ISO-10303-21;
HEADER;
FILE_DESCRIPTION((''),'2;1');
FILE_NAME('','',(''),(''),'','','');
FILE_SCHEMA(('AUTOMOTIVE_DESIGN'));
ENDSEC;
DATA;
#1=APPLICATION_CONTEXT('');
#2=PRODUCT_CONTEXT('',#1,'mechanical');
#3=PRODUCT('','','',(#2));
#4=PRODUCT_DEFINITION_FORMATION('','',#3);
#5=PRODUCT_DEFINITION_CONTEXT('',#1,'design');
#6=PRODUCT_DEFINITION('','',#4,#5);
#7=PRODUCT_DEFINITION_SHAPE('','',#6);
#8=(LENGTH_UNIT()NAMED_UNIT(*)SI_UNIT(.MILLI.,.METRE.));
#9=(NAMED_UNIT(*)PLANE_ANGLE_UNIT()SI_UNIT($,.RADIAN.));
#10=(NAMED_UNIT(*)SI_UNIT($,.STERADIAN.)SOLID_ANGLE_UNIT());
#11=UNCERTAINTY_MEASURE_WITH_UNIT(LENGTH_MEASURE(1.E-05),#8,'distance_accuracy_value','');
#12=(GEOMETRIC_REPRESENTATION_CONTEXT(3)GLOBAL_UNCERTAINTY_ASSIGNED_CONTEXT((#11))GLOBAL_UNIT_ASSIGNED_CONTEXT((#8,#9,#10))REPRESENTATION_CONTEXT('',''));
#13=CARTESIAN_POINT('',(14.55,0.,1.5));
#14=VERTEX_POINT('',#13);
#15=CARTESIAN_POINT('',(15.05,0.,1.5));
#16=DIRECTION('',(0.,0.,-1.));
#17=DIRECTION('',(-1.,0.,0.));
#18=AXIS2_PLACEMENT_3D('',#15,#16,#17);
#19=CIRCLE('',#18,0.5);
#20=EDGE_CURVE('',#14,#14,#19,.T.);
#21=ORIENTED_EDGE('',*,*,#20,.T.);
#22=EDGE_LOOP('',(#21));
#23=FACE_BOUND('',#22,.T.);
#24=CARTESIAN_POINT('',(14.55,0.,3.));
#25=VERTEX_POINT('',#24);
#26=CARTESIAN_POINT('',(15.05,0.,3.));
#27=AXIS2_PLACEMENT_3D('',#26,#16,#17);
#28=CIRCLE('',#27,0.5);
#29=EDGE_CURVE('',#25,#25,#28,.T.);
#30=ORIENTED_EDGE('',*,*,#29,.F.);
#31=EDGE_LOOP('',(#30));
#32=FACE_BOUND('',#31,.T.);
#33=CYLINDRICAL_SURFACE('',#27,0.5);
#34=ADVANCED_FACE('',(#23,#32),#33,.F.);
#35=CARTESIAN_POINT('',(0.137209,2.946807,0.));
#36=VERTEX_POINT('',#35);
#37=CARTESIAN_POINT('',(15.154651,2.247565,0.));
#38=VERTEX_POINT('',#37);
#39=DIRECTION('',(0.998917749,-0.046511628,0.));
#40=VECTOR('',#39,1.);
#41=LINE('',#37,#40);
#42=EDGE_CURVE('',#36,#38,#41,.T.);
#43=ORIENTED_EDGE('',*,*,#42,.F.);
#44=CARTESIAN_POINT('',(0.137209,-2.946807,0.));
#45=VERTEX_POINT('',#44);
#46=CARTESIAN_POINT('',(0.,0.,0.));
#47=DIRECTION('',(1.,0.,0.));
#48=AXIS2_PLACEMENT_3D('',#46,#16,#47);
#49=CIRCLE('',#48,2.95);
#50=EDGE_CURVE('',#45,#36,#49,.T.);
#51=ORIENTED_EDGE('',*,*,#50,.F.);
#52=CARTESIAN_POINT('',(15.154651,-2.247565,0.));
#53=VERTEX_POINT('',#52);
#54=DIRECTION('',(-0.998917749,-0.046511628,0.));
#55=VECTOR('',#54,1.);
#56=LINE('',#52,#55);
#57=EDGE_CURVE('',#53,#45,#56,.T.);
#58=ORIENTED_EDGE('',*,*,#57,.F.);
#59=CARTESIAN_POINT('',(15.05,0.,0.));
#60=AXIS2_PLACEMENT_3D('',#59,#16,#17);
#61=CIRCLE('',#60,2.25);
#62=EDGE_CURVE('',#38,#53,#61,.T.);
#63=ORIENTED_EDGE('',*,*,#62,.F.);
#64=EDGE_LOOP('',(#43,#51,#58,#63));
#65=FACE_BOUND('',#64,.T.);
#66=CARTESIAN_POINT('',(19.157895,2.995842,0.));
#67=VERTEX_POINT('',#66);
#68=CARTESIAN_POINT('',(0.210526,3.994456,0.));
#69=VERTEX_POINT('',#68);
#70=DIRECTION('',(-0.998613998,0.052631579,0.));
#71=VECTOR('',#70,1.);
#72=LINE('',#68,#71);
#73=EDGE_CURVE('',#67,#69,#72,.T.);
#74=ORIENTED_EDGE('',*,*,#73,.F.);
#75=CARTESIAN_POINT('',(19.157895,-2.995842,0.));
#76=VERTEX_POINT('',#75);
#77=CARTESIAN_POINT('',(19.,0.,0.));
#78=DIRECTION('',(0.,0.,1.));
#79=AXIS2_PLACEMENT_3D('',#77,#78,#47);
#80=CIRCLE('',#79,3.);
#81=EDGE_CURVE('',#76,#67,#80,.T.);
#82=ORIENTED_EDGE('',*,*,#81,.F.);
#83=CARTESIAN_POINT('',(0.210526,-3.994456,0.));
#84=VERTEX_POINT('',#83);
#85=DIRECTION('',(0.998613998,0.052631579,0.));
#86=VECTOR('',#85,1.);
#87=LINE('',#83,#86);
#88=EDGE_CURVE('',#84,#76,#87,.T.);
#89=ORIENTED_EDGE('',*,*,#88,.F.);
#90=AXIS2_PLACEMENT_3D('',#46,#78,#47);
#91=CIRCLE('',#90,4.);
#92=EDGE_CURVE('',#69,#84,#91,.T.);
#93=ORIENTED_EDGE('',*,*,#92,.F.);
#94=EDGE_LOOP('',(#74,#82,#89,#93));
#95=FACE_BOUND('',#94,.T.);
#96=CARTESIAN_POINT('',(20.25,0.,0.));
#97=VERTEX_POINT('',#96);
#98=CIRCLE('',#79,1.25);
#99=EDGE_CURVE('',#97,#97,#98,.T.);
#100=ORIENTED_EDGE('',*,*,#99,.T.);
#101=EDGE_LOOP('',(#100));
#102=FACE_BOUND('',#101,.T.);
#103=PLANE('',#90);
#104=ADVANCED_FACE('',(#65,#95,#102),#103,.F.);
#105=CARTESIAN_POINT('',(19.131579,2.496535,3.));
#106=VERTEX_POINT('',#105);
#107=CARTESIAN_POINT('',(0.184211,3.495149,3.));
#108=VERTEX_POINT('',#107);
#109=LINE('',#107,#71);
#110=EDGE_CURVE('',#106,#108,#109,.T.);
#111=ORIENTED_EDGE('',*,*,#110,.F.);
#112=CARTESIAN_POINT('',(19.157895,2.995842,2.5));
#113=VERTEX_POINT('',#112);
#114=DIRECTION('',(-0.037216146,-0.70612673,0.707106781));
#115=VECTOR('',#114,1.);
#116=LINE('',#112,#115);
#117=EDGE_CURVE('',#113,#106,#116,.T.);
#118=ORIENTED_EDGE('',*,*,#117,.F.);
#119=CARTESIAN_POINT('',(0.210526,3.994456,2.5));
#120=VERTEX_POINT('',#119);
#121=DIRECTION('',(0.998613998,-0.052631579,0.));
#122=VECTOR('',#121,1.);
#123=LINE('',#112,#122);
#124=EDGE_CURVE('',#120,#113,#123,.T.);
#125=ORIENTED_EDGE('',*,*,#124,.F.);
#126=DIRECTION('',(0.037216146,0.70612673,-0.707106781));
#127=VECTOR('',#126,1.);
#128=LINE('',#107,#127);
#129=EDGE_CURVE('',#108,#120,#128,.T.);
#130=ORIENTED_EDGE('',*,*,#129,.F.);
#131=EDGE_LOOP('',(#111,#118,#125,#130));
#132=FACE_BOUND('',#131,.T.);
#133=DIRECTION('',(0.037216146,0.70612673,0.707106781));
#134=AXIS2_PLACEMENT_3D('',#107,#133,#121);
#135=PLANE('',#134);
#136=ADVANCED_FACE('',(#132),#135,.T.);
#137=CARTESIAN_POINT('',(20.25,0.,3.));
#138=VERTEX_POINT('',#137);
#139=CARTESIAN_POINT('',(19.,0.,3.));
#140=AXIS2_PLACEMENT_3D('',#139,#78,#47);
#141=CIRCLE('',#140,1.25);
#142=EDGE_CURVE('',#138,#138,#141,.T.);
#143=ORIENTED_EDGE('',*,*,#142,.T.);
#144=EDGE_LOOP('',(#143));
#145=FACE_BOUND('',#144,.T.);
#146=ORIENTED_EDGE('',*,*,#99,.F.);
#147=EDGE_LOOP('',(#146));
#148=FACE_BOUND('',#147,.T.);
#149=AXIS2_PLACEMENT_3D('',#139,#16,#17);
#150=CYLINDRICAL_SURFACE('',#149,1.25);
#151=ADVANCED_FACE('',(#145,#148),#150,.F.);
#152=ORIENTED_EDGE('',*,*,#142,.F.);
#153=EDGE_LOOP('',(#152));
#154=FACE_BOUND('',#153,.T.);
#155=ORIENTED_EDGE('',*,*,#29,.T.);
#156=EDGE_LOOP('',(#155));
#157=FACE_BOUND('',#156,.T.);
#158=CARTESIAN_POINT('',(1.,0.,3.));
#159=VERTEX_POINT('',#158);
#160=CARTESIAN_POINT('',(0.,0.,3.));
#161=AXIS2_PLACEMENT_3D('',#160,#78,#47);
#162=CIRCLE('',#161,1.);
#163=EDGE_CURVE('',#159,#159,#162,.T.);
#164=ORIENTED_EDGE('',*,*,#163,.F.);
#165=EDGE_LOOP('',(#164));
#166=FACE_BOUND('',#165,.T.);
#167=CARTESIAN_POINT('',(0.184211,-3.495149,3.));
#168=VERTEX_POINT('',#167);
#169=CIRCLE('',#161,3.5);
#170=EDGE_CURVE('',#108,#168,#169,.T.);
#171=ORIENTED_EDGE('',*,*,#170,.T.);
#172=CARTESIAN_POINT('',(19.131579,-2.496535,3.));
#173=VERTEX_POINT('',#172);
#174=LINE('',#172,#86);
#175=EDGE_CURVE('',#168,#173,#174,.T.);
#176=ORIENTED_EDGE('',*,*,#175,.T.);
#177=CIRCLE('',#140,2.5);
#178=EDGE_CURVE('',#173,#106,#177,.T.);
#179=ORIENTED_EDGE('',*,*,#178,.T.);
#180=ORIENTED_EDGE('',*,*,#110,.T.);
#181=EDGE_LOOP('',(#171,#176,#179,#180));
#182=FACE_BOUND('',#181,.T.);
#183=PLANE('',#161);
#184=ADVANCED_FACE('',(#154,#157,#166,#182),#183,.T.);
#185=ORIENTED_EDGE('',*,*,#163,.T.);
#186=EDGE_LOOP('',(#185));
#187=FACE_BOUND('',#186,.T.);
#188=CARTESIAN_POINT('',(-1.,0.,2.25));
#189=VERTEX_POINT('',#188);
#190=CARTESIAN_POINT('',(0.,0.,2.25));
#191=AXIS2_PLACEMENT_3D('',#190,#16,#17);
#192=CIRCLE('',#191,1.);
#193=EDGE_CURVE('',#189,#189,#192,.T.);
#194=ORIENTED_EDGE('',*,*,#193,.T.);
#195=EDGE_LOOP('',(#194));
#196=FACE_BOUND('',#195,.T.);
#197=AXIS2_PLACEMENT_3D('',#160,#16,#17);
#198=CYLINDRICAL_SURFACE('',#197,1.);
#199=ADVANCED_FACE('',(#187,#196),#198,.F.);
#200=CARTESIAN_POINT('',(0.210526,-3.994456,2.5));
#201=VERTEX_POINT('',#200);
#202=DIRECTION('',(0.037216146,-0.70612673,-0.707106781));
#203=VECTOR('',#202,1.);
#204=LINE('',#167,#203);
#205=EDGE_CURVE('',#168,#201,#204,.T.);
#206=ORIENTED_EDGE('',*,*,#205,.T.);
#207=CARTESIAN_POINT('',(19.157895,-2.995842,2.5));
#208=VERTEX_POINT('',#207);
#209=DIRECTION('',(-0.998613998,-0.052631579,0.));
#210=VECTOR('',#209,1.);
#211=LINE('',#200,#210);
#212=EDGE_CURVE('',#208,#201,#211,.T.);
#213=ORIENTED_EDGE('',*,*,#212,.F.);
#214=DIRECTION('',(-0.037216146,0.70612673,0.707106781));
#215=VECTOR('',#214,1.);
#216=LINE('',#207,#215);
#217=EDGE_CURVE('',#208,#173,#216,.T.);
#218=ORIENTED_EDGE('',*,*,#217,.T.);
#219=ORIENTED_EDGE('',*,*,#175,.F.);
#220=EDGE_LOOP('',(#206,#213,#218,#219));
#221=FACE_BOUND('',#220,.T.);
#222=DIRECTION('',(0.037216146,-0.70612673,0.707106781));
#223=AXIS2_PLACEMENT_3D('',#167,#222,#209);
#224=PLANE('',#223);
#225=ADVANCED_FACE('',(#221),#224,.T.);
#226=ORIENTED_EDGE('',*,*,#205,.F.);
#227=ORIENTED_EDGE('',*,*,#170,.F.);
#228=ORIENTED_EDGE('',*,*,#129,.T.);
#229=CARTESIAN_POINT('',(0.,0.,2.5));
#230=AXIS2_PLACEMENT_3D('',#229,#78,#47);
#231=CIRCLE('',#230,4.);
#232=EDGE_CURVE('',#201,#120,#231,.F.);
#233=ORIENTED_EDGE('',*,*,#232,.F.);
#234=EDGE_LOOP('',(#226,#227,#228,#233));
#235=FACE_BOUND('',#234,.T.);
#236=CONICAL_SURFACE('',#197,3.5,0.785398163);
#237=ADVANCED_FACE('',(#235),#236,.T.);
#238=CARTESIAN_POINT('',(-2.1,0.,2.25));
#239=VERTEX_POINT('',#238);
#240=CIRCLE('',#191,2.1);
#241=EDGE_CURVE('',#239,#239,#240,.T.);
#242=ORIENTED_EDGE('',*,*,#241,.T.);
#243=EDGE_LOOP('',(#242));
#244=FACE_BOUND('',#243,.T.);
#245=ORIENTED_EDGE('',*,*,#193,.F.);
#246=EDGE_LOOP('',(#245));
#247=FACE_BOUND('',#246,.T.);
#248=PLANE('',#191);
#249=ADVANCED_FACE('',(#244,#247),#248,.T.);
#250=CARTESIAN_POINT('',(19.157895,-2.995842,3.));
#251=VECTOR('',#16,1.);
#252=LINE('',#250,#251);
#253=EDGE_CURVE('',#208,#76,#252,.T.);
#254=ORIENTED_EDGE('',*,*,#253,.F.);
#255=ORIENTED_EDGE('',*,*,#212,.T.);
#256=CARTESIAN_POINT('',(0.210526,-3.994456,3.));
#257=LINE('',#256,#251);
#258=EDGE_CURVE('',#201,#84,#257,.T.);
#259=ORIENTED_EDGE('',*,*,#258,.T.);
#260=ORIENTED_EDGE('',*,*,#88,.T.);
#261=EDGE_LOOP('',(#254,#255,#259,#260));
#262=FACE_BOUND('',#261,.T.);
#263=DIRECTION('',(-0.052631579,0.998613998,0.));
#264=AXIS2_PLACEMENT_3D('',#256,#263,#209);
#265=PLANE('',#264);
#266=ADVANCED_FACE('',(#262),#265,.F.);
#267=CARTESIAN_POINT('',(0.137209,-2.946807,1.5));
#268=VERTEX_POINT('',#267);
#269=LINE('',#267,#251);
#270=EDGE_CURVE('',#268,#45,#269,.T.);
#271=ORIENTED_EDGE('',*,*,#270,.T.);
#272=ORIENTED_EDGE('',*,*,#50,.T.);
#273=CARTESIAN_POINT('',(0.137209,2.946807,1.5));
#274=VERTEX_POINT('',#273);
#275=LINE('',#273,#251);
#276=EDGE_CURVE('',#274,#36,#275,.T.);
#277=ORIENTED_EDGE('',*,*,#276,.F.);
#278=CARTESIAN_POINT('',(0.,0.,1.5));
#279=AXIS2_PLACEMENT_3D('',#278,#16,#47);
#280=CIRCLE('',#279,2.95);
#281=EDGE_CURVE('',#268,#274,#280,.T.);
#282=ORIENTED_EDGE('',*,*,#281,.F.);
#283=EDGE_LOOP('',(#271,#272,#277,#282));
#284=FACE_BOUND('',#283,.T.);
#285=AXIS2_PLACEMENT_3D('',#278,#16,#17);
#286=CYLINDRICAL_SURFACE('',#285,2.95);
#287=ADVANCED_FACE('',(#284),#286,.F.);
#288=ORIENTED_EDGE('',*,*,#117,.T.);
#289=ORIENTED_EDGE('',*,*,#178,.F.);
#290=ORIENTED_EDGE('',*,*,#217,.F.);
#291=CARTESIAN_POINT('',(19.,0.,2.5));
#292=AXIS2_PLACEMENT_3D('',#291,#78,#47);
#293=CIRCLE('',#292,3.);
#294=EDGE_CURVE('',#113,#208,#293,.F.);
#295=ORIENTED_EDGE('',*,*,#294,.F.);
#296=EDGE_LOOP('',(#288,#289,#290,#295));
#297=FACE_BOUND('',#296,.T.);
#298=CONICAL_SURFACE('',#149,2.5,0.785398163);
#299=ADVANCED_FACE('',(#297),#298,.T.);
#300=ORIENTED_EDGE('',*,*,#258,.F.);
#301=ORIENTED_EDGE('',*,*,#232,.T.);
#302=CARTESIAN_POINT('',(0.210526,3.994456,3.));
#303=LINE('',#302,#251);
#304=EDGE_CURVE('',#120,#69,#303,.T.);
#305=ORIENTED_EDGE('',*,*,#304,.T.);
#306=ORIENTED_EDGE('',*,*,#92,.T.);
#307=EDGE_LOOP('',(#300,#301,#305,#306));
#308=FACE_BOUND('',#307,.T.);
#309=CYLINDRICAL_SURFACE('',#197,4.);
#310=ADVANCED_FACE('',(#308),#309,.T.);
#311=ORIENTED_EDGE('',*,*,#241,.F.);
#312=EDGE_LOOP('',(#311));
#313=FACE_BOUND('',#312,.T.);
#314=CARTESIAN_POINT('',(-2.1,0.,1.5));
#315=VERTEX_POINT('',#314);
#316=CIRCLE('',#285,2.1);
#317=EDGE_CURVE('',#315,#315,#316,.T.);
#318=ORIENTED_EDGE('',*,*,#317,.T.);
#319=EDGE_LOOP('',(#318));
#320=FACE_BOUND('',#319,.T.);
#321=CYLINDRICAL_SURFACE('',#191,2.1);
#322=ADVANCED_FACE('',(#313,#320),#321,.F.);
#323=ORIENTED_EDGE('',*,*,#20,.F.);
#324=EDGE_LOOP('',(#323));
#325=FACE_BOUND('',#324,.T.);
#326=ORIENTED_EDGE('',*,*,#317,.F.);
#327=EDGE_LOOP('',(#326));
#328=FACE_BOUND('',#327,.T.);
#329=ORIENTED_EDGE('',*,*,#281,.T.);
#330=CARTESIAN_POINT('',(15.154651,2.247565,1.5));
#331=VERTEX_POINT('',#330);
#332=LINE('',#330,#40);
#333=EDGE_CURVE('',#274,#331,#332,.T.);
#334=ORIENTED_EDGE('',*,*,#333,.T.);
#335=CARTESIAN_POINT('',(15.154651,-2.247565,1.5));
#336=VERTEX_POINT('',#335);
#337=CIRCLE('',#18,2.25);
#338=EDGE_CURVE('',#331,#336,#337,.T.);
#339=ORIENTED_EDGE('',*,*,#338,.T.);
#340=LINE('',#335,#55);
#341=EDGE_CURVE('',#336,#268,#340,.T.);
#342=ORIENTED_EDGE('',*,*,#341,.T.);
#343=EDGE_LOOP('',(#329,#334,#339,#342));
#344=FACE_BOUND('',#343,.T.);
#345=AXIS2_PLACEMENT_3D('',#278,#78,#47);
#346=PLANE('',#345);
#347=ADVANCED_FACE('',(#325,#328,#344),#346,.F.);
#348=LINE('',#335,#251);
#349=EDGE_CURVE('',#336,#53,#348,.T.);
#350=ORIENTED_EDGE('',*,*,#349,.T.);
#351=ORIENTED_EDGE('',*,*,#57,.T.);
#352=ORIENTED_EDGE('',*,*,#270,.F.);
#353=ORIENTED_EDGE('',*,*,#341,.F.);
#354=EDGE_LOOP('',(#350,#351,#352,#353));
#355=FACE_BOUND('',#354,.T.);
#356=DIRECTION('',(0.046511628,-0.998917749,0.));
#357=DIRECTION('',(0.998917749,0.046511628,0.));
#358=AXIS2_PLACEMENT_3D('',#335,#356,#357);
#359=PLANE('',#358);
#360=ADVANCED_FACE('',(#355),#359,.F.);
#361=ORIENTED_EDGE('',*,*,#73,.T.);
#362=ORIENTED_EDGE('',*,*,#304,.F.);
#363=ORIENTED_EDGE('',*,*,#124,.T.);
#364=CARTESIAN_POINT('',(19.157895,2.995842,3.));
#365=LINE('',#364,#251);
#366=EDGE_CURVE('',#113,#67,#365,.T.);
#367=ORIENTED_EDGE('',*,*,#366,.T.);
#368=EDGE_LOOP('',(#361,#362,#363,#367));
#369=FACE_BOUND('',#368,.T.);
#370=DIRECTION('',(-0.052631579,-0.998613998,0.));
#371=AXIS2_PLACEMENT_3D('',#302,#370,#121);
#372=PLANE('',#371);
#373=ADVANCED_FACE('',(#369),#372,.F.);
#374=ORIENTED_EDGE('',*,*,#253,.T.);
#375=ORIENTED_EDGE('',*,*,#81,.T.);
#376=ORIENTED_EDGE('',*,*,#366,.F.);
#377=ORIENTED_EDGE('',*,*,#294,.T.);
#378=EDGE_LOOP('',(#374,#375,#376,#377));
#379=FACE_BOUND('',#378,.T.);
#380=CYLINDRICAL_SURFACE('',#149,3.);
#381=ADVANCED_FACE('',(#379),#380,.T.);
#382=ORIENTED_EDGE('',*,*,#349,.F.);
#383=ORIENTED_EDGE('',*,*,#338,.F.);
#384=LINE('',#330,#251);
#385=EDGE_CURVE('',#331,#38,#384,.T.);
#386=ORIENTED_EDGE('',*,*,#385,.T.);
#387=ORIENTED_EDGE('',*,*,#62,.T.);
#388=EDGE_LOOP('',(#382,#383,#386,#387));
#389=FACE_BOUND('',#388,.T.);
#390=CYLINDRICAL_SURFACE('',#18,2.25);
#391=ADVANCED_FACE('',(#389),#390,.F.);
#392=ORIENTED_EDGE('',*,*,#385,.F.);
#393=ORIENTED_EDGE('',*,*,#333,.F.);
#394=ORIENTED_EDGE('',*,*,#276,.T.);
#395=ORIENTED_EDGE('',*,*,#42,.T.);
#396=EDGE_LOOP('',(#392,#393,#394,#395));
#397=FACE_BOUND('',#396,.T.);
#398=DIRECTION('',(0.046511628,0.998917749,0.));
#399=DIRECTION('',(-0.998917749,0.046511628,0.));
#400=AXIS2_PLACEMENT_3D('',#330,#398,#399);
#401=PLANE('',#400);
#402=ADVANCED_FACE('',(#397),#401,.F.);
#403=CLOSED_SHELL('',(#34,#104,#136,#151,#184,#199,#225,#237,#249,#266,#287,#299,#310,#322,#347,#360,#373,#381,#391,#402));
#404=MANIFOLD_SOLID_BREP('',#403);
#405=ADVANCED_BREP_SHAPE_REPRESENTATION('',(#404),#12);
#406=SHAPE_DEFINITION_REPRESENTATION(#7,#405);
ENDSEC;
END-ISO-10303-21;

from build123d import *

# Parameters (mm, degrees)
CROQUIS1_R              = 1
CROQUIS1_R_2            = 1.25
SALIENTE_EXTRUIR1_DEPTH = 3
CORTAR_EXTRUIR1_DEPTH   = 1.5
CROQUIS3_R              = 2.1
CORTAR_EXTRUIR2_DEPTH   = 0.75
CROQUIS4_R              = 0.5
CORTAR_EXTRUIR3_DEPTH   = 23.410934831
CHAFL_N1_SIZE           = 0.5


with BuildPart() as part:
    # Croquis1 → Saliente-Extruir1 (new body)
    with BuildSketch(Plane.XY):
        with BuildLine():
            Line((0.210526316, 3.994455992), (19.157894737, 2.995841994))
            ThreePointArc((19.157894737, 2.995841994), (22, 0), (19.157894737, -2.995841994))
            Line((19.157894737, -2.995841994), (0.210526316, -3.994455992))
            ThreePointArc((0.210526316, -3.994455992), (-4, 0), (0.210526316, 3.994455992))
        make_face()
        Circle(CROQUIS1_R, mode=Mode.SUBTRACT)
        with Locations((19, 0)):
            Circle(CROQUIS1_R_2, mode=Mode.SUBTRACT)
    extrude(amount=SALIENTE_EXTRUIR1_DEPTH)

    # Croquis2 → Cortar-Extruir1 (cut)
    with BuildSketch(Plane(origin=(0, 0, 0), x_dir=(-1, 0, 0), z_dir=(0, 0, -1))):
        with BuildLine():
            Line((-15.154651163, 2.247564934), (-0.137209302, 2.946807358))
            ThreePointArc((-0.137209302, 2.946807358), (2.95, 0), (-0.137209302, -2.946807358))
            Line((-0.137209302, -2.946807358), (-15.154651163, -2.247564934))
            ThreePointArc((-15.154651163, -2.247564934), (-17.3, 0), (-15.154651163, 2.247564934))
        make_face()
    extrude(amount=-CORTAR_EXTRUIR1_DEPTH, mode=Mode.SUBTRACT)

    # Croquis3 → Cortar-Extruir2 (cut)
    with BuildSketch(Plane(origin=(0, 0, 1.5), x_dir=(-1, 0, 0), z_dir=(0, 0, -1))):
        Circle(CROQUIS3_R)
    extrude(amount=-CORTAR_EXTRUIR2_DEPTH, mode=Mode.SUBTRACT)

    # Croquis4 → Cortar-Extruir3 (cut, through all)
    with BuildSketch(Plane(origin=(0, 0, 1.5), x_dir=(-1, 0, 0), z_dir=(0, 0, -1))):
        with Locations((-15.05, 0)):
            Circle(CROQUIS4_R)
    extrude(amount=-CORTAR_EXTRUIR3_DEPTH, mode=Mode.SUBTRACT)

    # Chaflán1
    chafl_n1_edges = [part.edges().sort_by_distance(p)[0] for p in [
        (22, 0, 3),
        (9.684210526, 3.495148993, 3),
        (-4, 0, 3),
        (9.684210526, -3.495148993, 3),
    ]]
    chamfer(chafl_n1_edges, length=CHAFL_N1_SIZE)


solid = part.part
